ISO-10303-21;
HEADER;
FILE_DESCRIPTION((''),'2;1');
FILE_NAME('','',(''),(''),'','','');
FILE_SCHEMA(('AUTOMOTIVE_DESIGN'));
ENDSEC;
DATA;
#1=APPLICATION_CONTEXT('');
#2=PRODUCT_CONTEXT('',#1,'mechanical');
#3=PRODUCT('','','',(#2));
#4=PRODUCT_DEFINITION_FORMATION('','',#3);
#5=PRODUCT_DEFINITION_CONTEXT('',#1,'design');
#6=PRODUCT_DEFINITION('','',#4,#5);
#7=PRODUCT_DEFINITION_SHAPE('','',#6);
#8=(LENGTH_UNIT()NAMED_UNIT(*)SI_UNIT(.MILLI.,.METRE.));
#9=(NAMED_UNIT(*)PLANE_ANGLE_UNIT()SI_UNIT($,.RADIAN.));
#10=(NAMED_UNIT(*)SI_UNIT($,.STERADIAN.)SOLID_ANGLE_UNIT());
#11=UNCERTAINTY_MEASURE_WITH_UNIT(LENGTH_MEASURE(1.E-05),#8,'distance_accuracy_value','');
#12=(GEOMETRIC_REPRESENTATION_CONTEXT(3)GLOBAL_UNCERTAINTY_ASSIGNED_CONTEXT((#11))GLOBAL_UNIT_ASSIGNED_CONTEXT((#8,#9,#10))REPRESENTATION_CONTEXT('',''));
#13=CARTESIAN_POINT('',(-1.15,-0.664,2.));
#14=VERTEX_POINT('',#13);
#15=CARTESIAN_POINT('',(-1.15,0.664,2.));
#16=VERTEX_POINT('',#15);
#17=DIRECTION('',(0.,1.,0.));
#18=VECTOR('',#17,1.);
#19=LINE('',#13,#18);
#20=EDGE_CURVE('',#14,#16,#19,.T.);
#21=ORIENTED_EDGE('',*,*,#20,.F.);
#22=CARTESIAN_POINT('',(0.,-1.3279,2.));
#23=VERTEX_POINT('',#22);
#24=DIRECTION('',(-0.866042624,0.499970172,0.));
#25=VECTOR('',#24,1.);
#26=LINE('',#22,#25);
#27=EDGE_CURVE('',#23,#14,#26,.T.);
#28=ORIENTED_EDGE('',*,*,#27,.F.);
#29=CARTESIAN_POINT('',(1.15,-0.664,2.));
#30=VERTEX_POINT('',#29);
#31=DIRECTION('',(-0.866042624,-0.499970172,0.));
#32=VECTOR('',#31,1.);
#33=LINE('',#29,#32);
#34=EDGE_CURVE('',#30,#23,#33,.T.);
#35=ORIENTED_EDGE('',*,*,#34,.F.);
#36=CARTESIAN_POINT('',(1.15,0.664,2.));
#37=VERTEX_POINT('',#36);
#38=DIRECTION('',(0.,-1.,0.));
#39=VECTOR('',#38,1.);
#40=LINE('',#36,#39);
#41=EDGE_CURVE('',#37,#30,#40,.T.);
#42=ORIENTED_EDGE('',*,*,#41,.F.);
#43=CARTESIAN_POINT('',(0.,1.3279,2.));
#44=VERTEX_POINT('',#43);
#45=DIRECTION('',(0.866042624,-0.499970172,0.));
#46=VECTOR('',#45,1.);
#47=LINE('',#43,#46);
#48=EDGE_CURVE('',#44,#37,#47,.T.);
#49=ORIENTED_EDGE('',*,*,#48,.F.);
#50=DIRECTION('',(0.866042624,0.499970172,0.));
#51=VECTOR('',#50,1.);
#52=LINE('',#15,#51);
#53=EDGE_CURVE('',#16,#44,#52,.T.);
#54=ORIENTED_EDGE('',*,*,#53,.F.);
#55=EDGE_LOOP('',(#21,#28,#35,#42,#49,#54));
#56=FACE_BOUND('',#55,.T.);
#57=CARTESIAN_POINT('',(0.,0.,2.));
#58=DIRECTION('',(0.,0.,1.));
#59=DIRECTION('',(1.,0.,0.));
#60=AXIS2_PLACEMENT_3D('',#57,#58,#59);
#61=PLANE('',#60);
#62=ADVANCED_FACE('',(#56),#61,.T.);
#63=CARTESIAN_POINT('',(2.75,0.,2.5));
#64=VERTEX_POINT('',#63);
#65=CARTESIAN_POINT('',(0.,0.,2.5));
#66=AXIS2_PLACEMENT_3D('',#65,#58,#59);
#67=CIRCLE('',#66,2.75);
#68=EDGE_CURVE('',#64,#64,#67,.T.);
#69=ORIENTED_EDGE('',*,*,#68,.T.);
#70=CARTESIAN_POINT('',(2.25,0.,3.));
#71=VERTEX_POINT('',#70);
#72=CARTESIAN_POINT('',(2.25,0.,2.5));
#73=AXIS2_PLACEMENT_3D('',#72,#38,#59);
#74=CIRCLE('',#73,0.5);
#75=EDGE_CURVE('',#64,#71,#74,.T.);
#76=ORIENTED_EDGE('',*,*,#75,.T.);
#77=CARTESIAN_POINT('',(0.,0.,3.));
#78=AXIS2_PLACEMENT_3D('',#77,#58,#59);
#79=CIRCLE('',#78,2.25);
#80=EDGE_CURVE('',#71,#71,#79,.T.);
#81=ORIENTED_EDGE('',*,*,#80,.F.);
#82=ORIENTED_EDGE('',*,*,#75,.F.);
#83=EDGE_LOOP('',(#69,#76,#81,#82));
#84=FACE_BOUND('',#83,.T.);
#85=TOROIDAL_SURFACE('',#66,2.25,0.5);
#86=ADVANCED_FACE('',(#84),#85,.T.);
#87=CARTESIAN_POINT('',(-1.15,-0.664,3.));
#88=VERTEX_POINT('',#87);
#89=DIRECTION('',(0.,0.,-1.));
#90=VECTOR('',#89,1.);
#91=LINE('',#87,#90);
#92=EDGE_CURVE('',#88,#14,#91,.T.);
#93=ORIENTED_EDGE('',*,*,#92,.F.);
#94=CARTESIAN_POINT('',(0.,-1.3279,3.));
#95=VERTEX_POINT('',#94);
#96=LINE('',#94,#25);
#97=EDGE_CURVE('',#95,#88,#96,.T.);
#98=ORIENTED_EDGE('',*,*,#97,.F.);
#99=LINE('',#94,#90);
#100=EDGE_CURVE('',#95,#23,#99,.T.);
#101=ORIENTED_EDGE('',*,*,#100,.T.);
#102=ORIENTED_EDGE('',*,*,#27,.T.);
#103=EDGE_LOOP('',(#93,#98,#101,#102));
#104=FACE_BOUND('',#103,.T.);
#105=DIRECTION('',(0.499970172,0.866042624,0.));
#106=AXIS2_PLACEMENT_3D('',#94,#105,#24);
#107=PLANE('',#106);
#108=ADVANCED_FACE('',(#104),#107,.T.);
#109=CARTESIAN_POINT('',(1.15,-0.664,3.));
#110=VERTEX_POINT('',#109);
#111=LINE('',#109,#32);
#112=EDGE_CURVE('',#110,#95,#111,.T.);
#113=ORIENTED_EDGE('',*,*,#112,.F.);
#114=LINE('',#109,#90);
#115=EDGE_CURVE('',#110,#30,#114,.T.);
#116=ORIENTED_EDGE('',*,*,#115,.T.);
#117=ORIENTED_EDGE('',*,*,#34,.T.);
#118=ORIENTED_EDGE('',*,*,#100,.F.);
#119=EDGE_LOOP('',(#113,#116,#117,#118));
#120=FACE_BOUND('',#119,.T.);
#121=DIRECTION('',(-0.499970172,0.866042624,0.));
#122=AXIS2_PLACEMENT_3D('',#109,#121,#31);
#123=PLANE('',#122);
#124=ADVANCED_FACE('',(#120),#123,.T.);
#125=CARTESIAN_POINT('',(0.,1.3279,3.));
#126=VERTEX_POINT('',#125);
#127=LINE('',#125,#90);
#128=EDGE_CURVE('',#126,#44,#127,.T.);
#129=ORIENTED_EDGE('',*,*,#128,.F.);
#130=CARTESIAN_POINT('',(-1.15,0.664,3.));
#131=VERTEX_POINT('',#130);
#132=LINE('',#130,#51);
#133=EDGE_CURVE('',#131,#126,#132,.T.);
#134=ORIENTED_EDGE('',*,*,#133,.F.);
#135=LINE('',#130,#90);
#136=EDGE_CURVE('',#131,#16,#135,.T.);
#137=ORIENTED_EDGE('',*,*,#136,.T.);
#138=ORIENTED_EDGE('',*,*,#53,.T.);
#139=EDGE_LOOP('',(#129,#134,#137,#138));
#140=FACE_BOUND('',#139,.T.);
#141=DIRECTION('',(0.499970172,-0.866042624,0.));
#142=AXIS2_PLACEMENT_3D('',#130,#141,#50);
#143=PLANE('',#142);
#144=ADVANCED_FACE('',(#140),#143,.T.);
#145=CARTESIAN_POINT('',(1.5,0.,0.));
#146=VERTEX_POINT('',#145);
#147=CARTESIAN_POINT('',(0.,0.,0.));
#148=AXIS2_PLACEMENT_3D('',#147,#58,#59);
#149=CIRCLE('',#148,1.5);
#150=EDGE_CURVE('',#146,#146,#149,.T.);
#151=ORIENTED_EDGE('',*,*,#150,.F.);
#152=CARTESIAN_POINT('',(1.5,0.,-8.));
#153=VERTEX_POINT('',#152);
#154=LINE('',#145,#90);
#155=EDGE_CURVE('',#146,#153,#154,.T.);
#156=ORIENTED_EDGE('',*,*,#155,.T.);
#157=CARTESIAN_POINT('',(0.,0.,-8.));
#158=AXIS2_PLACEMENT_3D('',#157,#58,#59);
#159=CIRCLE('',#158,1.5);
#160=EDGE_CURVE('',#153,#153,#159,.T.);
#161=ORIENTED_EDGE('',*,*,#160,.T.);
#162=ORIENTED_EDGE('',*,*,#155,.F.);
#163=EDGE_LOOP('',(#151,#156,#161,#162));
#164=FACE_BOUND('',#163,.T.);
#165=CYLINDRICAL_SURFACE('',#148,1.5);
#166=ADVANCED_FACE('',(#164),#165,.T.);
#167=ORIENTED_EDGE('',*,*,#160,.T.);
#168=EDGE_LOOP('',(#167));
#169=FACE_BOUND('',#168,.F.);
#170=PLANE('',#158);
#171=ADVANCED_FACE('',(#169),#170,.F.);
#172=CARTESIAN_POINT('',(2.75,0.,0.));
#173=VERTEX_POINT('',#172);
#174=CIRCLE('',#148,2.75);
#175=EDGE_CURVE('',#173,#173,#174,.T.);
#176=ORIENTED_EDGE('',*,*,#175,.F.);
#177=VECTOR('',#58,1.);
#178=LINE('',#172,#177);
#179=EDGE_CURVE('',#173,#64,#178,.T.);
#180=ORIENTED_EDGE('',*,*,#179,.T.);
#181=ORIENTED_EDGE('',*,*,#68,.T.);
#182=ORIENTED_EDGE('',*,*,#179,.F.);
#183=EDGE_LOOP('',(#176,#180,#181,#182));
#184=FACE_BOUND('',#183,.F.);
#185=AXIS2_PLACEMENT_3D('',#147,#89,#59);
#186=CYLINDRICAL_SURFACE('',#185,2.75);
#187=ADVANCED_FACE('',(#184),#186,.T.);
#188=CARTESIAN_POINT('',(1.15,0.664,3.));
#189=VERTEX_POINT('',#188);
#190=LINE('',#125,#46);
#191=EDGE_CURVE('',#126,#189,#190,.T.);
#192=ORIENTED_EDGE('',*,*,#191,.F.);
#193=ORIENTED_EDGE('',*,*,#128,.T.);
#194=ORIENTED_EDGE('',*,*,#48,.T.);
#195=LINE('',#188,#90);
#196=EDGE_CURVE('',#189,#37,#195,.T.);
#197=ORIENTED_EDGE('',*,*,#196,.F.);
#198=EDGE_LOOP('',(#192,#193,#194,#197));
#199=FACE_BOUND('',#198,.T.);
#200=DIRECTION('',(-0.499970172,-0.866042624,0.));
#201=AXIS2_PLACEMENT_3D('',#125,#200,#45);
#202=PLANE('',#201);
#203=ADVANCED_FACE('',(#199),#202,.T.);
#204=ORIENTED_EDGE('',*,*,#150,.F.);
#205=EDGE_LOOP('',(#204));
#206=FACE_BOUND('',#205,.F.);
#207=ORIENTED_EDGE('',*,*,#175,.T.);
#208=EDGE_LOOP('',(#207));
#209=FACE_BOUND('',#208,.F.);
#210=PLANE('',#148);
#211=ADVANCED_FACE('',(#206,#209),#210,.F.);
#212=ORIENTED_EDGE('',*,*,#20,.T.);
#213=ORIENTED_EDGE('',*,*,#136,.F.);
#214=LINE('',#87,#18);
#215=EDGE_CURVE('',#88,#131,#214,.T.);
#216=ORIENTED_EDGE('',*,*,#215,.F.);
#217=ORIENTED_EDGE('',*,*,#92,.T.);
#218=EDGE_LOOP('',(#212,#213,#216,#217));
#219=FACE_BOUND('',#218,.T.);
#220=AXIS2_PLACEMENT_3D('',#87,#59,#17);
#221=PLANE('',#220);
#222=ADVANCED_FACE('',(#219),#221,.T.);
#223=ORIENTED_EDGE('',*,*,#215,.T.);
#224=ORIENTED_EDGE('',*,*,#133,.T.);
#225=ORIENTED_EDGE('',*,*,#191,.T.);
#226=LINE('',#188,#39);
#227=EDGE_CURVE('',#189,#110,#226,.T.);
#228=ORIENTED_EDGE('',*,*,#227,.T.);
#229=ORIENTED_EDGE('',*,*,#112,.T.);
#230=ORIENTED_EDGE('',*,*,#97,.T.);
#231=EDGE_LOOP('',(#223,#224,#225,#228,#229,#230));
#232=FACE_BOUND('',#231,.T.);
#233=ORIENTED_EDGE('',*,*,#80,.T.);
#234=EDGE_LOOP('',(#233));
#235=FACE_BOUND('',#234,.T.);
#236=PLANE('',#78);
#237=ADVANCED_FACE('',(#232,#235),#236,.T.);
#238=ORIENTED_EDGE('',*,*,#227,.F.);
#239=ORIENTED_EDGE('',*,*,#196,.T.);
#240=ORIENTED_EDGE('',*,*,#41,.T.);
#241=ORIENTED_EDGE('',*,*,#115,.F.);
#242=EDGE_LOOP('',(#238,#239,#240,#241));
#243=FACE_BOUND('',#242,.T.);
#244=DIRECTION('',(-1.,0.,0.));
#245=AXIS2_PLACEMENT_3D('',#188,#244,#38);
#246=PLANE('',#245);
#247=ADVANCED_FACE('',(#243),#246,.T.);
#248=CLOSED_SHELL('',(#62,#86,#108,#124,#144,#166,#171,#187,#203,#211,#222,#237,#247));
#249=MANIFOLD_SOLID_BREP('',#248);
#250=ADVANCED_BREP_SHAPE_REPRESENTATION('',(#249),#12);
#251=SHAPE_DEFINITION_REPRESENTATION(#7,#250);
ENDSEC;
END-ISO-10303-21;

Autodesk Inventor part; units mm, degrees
ref_plane "YZ Plane" through (0, 0, 0) normal (1, 0, 0) x (0, 1, 0)
ref_plane "XZ Plane" through (0, 0, 0) normal (0, 1, 0) x (-1, 0, 0)
ref_plane "XY Plane" through (0, 0, 0) normal (0, 0, 1) x (1, 0, 0)
sketch "Sketch3" plane through (0, 0, 0) normal (0, 0, 1) x (1, 0, 0)
  circle A0 centre (0, 0) radius 2.75
  circle A1 centre (0, 0) radius 1.5
  line L0 (1.15, -0.664) -> (0, -1.3279)
  line L1 (0, -1.3279) -> (-1.15, -0.664)
  line L2 (-1.15, -0.664) -> (-1.15, 0.664)
  line L3 (-1.15, 0.664) -> (0, 1.3279)
  line L4 (0, 1.3279) -> (1.15, 0.664)
  line L5 (1.15, 0.664) -> (1.15, -0.664)
  point P0 (1.15, 0)
  dimension "d8" = 1.5
  dimension "d9" = 2.75
  dimension "d10" = 2.3
extrude "Extrusion1" add sketch "Sketch3" along normal blind 3 contours A0 | A1 | L0 L1 L2 L3 L4 L5
extrude "Extrusion2" add sketch "Sketch3" against normal blind 8 contours A1 | L0 L1 L2 L3 L4 L5
extrude "Extrusion3" cut sketch "Sketch3" against normal blind 1 from surface at 3 contours L0 L1 L2 L3 L4 L5
fillet "Fillet1" radius 0.5 1 edges at (-2.75, 0, 3)
thread "Thread2" size "M3x0.5" class "6g" standard "ISO Metric profile" full length
properties part number "MachineScrew_Template"
